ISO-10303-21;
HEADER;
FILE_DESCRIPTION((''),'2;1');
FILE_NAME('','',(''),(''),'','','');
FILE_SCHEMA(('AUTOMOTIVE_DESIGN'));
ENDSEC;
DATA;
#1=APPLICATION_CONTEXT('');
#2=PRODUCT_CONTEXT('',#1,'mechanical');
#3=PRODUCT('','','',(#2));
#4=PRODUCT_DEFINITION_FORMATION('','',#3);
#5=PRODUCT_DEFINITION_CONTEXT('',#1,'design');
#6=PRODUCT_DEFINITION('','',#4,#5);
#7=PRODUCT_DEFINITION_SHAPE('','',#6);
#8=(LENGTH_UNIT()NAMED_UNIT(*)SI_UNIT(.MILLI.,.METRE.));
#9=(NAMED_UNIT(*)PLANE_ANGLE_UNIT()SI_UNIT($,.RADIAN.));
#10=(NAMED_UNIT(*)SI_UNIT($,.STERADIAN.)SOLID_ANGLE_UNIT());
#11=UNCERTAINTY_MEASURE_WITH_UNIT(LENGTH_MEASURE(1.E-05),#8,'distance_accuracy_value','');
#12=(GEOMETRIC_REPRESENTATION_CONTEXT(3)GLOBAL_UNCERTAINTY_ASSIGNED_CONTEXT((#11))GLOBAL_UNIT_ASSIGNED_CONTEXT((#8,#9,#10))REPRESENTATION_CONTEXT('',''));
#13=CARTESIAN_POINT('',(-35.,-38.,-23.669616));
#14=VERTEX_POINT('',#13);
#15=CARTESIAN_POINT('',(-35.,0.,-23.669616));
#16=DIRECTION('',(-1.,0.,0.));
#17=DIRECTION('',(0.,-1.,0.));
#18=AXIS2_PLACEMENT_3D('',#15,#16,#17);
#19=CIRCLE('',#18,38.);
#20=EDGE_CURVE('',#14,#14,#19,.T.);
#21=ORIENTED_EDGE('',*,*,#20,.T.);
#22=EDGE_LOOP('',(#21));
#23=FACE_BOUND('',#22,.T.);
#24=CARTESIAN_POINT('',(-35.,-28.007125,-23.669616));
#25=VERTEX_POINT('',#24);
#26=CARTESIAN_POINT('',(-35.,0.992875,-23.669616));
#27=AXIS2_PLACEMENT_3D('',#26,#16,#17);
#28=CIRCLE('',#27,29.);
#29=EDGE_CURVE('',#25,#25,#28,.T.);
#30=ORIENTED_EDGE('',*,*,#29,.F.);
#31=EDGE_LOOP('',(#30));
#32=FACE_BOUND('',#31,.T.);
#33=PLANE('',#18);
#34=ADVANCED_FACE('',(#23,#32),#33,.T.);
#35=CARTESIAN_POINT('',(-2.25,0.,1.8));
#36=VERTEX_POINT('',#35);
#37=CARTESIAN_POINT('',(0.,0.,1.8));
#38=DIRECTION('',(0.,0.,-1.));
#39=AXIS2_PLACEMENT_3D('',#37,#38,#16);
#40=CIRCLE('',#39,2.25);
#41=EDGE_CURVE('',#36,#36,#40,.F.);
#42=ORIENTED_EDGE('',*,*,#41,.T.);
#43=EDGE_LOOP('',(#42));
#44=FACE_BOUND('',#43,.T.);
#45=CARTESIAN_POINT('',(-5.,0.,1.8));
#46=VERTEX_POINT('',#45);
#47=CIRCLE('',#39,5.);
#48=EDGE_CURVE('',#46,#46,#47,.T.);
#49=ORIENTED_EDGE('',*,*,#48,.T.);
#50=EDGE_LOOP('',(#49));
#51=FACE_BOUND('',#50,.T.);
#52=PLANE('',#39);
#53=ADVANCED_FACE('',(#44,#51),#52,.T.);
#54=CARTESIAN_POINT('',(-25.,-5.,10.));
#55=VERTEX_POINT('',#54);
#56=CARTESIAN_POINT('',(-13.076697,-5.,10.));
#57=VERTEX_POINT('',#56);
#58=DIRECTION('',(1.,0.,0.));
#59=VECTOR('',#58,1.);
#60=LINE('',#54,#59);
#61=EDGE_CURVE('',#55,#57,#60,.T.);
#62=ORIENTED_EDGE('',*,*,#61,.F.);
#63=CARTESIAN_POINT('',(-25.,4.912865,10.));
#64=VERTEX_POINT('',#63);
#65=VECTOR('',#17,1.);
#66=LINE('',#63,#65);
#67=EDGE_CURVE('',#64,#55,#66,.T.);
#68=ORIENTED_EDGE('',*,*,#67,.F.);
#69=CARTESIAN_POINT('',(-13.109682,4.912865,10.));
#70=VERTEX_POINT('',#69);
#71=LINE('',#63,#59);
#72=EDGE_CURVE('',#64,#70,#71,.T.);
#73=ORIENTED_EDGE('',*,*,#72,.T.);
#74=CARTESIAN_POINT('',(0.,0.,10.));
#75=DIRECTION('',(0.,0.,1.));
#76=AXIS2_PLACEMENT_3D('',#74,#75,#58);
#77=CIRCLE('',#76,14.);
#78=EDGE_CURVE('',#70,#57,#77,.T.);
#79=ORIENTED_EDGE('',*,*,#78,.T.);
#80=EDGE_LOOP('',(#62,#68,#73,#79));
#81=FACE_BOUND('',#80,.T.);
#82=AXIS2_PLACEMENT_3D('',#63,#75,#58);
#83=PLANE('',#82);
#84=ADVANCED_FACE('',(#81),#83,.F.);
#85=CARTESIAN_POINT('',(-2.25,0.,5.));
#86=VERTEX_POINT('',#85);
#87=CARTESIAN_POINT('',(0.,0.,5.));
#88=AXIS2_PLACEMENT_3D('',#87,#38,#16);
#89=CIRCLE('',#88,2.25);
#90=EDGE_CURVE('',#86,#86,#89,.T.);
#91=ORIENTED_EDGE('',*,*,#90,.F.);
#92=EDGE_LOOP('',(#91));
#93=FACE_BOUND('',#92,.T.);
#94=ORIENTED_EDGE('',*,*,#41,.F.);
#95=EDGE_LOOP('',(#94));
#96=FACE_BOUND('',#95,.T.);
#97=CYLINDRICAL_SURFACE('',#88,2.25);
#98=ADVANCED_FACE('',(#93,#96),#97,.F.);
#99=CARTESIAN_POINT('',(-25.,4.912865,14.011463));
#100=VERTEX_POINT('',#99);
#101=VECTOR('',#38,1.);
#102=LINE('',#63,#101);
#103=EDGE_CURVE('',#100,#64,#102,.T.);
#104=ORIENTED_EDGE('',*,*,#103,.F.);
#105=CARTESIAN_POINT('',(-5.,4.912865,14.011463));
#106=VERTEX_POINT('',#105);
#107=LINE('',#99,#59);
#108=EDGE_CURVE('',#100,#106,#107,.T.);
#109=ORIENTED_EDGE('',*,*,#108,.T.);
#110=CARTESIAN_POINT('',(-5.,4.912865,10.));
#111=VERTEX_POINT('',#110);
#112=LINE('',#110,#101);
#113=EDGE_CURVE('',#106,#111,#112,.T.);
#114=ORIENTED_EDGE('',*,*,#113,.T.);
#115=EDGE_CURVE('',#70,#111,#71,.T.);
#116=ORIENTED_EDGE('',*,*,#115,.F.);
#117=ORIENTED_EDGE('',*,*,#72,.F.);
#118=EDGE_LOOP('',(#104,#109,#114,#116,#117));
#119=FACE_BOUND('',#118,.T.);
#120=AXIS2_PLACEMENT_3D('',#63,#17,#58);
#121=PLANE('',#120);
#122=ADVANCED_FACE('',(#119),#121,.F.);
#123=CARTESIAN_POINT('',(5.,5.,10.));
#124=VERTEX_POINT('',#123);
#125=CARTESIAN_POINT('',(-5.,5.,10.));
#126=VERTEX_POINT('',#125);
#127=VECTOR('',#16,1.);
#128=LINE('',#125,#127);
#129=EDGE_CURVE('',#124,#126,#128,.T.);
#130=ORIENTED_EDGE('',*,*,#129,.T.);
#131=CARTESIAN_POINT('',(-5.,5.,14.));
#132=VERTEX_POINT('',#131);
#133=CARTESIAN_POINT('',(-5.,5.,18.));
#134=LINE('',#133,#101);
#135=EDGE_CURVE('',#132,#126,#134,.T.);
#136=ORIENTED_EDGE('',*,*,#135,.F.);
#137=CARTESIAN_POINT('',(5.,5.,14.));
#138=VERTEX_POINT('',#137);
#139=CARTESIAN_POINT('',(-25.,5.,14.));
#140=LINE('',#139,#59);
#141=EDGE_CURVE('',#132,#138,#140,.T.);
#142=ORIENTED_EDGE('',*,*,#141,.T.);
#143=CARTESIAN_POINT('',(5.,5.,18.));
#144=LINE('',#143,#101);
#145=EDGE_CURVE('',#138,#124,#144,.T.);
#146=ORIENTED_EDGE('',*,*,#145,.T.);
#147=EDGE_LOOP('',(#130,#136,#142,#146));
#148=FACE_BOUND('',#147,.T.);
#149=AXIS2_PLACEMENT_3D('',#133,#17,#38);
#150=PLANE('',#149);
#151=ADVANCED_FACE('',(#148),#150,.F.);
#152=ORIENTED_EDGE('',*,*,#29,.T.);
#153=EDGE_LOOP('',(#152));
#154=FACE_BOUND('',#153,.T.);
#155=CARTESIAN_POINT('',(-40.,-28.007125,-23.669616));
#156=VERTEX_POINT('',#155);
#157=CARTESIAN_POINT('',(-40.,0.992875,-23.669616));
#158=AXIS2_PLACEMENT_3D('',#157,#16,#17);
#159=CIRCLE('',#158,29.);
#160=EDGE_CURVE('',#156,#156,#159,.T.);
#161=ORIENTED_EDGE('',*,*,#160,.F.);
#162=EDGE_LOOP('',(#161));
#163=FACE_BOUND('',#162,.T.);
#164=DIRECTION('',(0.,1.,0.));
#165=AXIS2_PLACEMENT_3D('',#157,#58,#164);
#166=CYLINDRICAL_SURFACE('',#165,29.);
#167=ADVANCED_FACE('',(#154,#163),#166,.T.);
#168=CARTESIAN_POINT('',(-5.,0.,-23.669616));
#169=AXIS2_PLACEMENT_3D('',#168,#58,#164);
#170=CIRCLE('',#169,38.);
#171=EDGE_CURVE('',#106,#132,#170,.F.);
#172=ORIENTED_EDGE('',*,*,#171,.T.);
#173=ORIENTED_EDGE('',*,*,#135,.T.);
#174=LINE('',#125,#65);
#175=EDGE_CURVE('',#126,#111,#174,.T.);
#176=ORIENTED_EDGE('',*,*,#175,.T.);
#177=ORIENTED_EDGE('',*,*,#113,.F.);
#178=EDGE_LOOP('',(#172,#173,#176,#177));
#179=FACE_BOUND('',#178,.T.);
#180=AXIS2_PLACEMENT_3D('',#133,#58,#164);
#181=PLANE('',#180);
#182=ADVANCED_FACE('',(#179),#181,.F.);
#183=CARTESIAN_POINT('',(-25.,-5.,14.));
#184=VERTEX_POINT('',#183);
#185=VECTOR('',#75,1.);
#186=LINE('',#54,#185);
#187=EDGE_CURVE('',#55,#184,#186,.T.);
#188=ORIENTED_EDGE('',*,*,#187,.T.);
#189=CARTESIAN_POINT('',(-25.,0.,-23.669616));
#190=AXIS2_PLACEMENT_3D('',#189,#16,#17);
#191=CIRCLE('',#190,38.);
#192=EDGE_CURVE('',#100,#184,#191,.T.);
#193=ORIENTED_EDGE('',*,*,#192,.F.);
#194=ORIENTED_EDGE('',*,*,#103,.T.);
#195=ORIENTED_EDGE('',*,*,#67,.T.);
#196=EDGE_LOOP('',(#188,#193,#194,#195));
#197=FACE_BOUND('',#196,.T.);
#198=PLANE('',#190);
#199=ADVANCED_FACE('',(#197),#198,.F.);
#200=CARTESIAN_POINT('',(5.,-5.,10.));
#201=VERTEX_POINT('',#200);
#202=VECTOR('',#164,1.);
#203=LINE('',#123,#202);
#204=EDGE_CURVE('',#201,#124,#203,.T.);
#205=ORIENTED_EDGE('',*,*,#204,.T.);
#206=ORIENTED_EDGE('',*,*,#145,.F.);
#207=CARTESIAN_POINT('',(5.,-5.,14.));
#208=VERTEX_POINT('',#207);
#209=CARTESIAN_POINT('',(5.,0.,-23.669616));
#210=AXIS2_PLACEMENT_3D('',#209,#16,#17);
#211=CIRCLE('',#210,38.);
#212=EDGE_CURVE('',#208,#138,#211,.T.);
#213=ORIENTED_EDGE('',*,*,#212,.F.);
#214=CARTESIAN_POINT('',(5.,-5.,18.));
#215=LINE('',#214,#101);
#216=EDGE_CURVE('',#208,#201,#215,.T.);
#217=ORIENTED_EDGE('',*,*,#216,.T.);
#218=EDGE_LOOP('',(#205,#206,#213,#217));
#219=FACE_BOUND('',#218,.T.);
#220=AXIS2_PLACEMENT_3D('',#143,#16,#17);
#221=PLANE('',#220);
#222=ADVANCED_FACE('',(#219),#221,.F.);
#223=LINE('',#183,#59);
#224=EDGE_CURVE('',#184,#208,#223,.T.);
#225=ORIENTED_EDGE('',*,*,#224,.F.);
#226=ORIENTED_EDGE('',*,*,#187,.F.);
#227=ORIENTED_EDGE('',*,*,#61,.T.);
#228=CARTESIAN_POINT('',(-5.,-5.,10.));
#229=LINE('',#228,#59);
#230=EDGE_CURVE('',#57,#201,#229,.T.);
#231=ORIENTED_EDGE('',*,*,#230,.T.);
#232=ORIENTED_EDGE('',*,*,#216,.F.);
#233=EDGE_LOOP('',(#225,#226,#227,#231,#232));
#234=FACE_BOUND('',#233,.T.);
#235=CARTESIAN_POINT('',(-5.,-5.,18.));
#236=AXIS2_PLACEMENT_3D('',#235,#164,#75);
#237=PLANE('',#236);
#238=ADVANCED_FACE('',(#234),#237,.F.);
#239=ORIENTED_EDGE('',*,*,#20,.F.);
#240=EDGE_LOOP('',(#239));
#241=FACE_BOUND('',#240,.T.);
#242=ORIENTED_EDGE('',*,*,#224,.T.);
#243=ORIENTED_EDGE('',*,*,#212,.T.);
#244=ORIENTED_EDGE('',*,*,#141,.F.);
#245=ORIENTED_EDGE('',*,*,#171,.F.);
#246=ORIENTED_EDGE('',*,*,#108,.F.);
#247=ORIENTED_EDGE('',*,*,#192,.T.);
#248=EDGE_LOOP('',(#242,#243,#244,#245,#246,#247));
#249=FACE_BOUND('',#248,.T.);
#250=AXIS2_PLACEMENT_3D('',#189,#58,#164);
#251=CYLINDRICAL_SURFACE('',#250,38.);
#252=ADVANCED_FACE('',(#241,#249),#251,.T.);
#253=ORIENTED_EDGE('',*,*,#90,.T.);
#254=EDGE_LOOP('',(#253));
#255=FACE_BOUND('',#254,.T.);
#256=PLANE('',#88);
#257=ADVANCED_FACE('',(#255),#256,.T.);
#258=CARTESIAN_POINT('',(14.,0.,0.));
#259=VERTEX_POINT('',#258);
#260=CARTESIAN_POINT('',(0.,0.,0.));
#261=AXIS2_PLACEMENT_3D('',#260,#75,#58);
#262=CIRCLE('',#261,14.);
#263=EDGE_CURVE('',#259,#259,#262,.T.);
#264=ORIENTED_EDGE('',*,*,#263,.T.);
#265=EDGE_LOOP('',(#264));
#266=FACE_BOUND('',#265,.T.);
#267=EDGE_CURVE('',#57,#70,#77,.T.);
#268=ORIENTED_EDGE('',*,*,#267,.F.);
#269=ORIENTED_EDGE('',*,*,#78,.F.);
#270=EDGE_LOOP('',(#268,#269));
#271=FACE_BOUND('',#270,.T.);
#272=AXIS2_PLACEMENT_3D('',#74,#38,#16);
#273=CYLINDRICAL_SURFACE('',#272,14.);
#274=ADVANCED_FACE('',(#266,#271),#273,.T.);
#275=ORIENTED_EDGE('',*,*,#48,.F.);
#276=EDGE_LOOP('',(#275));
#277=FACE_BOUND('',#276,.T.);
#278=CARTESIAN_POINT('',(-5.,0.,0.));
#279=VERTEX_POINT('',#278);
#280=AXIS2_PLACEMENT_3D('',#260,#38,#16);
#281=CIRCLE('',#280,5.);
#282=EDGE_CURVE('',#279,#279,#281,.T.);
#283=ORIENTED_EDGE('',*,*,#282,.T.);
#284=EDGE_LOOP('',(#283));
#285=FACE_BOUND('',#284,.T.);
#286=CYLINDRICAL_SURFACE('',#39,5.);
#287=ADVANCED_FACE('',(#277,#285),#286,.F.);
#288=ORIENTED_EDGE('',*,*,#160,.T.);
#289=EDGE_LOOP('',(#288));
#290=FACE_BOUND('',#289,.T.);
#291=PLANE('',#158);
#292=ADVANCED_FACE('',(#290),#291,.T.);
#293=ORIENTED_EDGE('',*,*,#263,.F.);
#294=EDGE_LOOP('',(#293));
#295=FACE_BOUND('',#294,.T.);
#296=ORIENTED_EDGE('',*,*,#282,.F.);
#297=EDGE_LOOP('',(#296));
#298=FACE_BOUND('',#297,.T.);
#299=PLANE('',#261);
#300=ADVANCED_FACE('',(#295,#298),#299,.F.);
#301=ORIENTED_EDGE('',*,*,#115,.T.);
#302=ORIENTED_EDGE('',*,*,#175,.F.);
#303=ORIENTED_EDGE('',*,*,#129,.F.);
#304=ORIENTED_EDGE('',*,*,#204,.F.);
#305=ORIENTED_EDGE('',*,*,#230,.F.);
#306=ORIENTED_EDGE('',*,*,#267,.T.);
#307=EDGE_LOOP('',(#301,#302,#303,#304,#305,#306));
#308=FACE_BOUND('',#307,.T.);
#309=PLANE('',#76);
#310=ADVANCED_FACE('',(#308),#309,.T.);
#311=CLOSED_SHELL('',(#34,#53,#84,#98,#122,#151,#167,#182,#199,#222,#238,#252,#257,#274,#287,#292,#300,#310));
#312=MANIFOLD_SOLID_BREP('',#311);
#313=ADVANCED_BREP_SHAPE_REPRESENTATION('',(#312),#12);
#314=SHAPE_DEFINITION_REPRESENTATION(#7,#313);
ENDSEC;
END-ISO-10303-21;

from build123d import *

# Parameters (mm, degrees)
SKETCH1_R           = 14
BOSS_EXTRUDE1_DEPTH = 10
SKETCH2_R           = 2.25
CUT_EXTRUDE1_DEPTH  = 5
SKETCH3_R           = 5
CUT_EXTRUDE2_DEPTH  = 1.8
SKETCH4_W           = 10
SKETCH4_H           = 10
BOSS_EXTRUDE2_DEPTH = 8
SKETCH6_W           = 8
SKETCH6_H           = 9.912865289
BOSS_EXTRUDE3_DEPTH = 20
CUT_EXTRUDE3_DEPTH  = 30
SKETCH8_R           = 38
BOSS_EXTRUDE4_DEPTH = 10
SKETCH9_R           = 29
BOSS_EXTRUDE5_DEPTH = 5


with BuildPart() as part:
    # Sketch1 → Boss-Extrude1 (new body)
    with BuildSketch(Plane.XY):
        Circle(SKETCH1_R)
    extrude(amount=BOSS_EXTRUDE1_DEPTH)

    # Sketch2 → Cut-Extrude1 (cut)
    with BuildSketch(Plane(origin=(0, 0, 0), x_dir=(-1, 0, 0), z_dir=(0, 0, -1))):
        Circle(SKETCH2_R)
    extrude(amount=-CUT_EXTRUDE1_DEPTH, mode=Mode.SUBTRACT)

    # Sketch3 → Cut-Extrude2 (cut)
    with BuildSketch(Plane(origin=(0, 0, 0), x_dir=(-1, 0, 0), z_dir=(0, 0, -1))):
        Circle(SKETCH3_R)
    extrude(amount=-CUT_EXTRUDE2_DEPTH, mode=Mode.SUBTRACT)

    # Sketch4 → Boss-Extrude2 (add)
    with BuildSketch(Plane.XY.offset(10)):
        Rectangle(SKETCH4_W, SKETCH4_H)
    extrude(amount=BOSS_EXTRUDE2_DEPTH)

    # Sketch6 → Boss-Extrude3 (add)
    with BuildSketch(Plane.ZY.offset(5)):
        with Locations((14, -0.043567356)):
            Rectangle(SKETCH6_W, SKETCH6_H)
    extrude(amount=BOSS_EXTRUDE3_DEPTH)

    # Sketch7 → Cut-Extrude3 (cut)
    with BuildSketch(Plane(origin=(5, 0, 0), x_dir=(0, 0, -1), z_dir=(1, 0, 0))):
        with BuildLine():
            Line((-18, 5), (-18, -5))
            Line((-18, -5), (-14, -5))
            ThreePointArc((-14, -5), (-14.330383596, 0), (-14, 5))
            Line((-14, 5), (-18, 5))
        make_face()
    extrude(amount=-CUT_EXTRUDE3_DEPTH, mode=Mode.SUBTRACT)

    # Sketch8 → Boss-Extrude4 (add)
    with BuildSketch(Plane.ZY.offset(25)):
        with Locations(Location((-23.669616404, 0, 0), (0, 0, 7.560843177))):
            Circle(SKETCH8_R)
    extrude(amount=BOSS_EXTRUDE4_DEPTH)

    # Sketch9 → Boss-Extrude5 (add)
    with BuildSketch(Plane.ZY.offset(35)):
        with Locations(Location((-23.669616404, 0.99287457, 0), (0, 0, 270))):
            Circle(SKETCH9_R)
    extrude(amount=BOSS_EXTRUDE5_DEPTH)


solid = part.part
